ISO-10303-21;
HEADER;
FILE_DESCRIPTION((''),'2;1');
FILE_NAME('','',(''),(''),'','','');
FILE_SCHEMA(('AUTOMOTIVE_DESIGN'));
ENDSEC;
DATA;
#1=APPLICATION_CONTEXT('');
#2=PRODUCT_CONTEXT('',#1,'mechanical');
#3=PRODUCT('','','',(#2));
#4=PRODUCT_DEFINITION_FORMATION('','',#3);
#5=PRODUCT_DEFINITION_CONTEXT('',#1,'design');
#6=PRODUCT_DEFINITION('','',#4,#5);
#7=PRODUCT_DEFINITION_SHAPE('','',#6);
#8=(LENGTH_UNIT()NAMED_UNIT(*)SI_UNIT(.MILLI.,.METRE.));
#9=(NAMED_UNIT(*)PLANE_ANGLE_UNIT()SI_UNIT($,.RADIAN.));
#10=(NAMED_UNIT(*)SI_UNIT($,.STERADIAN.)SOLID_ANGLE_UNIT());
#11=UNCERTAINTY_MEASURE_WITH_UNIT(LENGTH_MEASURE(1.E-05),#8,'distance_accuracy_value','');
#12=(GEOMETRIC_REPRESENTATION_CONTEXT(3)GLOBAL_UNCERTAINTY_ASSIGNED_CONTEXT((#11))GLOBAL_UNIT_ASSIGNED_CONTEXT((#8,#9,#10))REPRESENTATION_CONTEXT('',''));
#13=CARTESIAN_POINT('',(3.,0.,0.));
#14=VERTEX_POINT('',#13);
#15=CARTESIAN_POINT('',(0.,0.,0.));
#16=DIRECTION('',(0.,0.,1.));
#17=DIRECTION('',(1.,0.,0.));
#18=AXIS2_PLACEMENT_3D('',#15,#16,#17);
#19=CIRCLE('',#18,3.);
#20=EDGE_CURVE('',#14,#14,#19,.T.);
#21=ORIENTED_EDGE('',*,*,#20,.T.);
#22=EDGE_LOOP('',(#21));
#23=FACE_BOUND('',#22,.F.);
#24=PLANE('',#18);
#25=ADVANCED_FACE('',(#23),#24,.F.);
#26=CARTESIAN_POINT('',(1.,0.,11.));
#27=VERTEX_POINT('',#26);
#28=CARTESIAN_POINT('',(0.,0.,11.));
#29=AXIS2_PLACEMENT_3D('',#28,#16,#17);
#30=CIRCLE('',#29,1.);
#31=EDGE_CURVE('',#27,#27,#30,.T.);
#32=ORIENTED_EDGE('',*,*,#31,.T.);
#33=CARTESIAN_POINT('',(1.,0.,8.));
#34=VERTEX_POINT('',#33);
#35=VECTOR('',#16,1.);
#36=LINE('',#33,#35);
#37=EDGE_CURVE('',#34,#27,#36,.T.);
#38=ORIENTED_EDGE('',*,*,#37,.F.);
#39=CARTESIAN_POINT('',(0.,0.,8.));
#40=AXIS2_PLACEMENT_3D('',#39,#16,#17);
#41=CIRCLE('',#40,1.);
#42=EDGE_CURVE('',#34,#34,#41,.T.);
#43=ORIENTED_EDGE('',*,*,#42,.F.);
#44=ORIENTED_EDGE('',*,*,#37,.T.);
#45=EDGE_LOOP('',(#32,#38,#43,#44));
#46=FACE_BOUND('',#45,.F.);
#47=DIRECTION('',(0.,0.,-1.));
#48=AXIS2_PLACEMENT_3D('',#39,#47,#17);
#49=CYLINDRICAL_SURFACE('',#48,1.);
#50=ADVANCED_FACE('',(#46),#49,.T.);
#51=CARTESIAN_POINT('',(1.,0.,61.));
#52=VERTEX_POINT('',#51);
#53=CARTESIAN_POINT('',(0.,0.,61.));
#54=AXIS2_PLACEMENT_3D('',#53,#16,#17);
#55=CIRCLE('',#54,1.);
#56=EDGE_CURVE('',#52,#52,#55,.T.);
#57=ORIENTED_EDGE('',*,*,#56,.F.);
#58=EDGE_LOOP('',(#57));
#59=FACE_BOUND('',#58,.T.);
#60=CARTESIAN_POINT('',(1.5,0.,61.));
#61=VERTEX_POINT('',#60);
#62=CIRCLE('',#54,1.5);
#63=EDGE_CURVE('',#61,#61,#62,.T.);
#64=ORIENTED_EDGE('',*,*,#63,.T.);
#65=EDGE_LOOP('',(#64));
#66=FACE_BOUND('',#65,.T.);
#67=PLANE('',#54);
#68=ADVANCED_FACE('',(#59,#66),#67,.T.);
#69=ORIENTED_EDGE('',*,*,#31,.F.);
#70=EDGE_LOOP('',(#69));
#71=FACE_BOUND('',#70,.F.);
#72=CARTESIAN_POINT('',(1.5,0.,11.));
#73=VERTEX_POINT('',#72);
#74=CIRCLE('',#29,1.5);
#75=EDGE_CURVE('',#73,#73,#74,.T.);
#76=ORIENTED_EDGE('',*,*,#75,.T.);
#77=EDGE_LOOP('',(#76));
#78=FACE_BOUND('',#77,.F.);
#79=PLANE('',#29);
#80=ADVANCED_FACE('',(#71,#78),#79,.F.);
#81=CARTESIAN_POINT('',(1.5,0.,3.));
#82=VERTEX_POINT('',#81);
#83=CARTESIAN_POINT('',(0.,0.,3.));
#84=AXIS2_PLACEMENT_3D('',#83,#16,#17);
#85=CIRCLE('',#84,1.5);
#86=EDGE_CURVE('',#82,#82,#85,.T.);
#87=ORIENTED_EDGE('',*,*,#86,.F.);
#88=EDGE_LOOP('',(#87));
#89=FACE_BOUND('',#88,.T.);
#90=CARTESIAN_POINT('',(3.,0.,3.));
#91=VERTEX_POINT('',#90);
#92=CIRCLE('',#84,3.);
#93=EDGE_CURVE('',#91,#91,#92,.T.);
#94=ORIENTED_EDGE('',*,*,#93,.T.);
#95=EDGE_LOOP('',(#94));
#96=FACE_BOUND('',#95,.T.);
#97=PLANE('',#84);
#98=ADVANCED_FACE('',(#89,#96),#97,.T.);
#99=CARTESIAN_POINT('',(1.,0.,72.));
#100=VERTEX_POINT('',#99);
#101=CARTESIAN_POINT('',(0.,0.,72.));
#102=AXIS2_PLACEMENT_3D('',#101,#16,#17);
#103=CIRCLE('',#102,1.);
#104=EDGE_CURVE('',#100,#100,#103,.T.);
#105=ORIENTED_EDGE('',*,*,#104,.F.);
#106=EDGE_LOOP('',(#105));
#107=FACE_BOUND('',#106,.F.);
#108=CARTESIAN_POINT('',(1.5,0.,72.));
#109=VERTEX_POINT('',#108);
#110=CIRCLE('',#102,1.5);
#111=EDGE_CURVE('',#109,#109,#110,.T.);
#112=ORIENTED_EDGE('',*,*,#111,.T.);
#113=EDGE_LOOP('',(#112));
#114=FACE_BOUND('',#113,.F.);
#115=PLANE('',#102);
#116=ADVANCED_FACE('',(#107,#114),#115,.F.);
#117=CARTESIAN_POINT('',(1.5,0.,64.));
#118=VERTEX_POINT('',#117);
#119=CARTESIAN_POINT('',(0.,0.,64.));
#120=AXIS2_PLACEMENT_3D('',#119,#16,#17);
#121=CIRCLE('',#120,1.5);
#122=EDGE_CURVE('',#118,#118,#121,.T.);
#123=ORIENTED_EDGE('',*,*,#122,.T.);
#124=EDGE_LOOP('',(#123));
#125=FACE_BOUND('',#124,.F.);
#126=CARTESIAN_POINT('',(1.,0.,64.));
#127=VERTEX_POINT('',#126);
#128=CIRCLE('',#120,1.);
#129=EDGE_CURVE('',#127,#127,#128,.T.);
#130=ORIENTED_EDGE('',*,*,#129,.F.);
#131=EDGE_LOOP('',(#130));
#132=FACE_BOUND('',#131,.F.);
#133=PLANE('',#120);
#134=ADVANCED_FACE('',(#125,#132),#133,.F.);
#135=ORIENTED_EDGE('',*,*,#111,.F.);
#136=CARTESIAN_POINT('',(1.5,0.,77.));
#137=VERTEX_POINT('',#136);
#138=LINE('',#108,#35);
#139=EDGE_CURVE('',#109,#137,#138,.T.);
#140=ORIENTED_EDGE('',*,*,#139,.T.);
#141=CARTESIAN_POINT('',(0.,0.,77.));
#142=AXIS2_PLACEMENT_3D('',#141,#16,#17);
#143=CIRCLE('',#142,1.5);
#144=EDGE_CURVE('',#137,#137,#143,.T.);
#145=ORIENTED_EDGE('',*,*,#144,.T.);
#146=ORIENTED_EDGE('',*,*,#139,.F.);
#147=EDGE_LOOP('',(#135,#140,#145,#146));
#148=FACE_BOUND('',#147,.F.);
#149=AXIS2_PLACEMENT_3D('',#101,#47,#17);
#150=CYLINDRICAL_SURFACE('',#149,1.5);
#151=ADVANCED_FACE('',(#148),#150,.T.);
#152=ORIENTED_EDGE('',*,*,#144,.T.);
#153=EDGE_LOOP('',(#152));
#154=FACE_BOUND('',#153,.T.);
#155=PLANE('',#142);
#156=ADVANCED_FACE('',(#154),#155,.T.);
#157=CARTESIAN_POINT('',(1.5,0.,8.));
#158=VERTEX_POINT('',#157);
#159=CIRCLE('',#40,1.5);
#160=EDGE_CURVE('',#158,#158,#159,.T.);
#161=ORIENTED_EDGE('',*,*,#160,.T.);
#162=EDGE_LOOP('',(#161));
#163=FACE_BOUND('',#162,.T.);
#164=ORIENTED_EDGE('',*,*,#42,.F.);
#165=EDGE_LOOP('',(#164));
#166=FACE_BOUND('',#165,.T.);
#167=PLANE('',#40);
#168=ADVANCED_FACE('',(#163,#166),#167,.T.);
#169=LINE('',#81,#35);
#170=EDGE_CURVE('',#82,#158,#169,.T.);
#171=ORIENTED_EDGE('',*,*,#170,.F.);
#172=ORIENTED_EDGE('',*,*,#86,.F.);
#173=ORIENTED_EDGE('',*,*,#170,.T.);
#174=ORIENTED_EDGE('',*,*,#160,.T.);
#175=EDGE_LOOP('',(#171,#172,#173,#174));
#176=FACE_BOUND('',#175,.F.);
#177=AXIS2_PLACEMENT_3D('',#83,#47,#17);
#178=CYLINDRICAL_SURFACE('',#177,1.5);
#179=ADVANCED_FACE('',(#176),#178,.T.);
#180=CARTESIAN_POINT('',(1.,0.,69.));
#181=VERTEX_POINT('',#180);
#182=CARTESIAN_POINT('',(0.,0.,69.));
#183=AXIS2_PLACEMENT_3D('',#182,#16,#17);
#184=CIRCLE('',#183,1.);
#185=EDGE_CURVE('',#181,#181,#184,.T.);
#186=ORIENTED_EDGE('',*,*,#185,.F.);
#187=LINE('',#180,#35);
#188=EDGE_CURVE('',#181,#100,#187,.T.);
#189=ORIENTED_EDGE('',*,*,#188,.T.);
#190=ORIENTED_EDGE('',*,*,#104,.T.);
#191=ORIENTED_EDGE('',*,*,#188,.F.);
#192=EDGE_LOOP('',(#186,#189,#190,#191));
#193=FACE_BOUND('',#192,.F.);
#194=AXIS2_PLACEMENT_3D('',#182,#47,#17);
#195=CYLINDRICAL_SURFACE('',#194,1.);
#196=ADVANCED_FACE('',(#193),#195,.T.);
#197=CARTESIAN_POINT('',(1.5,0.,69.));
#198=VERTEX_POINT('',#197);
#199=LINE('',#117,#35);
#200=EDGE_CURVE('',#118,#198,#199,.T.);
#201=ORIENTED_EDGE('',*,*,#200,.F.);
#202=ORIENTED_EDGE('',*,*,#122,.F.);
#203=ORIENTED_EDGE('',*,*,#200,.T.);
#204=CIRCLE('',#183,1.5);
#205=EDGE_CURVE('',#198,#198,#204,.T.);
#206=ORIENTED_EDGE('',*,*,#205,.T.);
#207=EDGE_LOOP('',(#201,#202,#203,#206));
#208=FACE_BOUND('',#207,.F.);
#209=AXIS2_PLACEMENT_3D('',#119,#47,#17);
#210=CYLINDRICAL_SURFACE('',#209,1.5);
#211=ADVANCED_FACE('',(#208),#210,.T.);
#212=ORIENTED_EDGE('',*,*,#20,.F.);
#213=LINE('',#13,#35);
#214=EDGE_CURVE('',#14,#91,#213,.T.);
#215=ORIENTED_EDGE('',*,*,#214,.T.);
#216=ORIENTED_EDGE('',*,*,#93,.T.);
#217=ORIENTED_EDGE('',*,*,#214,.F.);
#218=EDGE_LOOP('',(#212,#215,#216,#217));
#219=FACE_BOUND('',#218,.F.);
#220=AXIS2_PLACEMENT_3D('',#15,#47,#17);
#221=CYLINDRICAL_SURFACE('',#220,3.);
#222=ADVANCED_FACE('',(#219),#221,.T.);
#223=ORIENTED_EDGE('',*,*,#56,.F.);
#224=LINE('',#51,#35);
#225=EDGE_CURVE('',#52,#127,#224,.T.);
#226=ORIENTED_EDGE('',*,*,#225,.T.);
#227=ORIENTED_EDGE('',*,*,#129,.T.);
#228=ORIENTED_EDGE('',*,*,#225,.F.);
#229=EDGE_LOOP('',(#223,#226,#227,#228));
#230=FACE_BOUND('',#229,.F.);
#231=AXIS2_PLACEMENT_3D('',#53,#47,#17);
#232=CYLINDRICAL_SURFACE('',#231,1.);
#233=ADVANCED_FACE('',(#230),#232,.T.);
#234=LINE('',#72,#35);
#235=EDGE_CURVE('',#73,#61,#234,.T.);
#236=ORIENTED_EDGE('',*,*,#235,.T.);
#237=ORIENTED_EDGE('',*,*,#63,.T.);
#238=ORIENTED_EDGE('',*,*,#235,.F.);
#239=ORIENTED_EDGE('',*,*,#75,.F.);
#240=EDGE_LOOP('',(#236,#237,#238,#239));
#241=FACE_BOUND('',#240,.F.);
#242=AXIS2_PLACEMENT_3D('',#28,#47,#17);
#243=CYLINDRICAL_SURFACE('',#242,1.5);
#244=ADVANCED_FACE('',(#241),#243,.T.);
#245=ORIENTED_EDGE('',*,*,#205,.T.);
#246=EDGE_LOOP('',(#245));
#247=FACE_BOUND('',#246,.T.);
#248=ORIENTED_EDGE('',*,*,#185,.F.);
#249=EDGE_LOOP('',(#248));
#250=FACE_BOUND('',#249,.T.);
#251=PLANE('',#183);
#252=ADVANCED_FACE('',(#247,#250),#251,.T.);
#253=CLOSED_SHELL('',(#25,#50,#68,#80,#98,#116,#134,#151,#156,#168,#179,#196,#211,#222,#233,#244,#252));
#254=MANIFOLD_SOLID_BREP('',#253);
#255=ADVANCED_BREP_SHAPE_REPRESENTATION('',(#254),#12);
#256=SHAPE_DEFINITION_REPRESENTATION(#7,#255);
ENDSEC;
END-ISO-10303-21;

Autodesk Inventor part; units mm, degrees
ref_plane "YZ Plane" through (0, 0, 0) normal (1, 0, 0) x (0, 1, 0)
ref_plane "XZ Plane" through (0, 0, 0) normal (0, 1, 0) x (-1, 0, 0)
ref_plane "XY Plane" through (0, 0, 0) normal (0, 0, 1) x (1, 0, 0)
sketch "Sketch1" plane through (0, 0, 0) normal (0, 0, 1) x (1, 0, 0)
  circle A0 centre (0, 0) radius 3
  dimension "d0" = 6
extrude "Extrusion1" add sketch "Sketch1" along normal blind 3
sketch "Sketch5" plane through (0, 0, 3) normal (0, 0, 1) x (1, 0, 0)
  circle A0 centre (0, 0) radius 1.5
  dimension "d6" = 3
extrude "Extrusion3" add sketch "Sketch5" along normal blind 5
sketch "Sketch6" plane through (0, 0, 8) normal (0, 0, 1) x (1, 0, 0)
  circle A0 centre (0, 0) radius 1
  dimension "d9" = 2
extrude "Extrusion4" add sketch "Sketch6" along normal blind 3
sketch "Sketch7" plane through (0, 0, 11) normal (0, 0, 1) x (1, 0, 0)
  circle A0 centre (0, 0) radius 1 projected
  circle A1 centre (0, 0) radius 1.5
  dimension "d12" = 3
extrude "Extrusion5" add sketch "Sketch7" along normal blind 50 contours A0 | A1
sketch "Sketch8" plane through (0, 0, 61) normal (0, 0, 1) x (1, 0, 0)
  circle A0 centre (0, 0) radius 1
  dimension "d15" = 2
extrude "Extrusion6" add sketch "Sketch8" along normal blind 3
sketch "Sketch9" plane through (0, 0, 64) normal (0, 0, 1) x (1, 0, 0)
  circle A0 centre (0, 0) radius 1.5
  dimension "d18" = 3
extrude "Extrusion7" add sketch "Sketch9" along normal blind 5
sketch "Sketch10" plane through (0, 0, 69) normal (0, 0, 1) x (1, 0, 0)
  circle A0 centre (0, 0) radius 1 projected
  circle A1 centre (0, 0) radius 1
  dimension "d21" = 2
extrude "Extrusion8" add sketch "Sketch10" along normal blind 3
sketch "Sketch11" plane through (0, 0, 72) normal (0, 0, 1) x (1, 0, 0)
  circle A0 centre (0, 0) radius 1.5 projected
  circle A1 centre (0, 0) radius 1.5
  dimension "d24" = 3
extrude "Extrusion9" add sketch "Sketch11" along normal blind 5
properties part number "TornilloBasePixhawx"
